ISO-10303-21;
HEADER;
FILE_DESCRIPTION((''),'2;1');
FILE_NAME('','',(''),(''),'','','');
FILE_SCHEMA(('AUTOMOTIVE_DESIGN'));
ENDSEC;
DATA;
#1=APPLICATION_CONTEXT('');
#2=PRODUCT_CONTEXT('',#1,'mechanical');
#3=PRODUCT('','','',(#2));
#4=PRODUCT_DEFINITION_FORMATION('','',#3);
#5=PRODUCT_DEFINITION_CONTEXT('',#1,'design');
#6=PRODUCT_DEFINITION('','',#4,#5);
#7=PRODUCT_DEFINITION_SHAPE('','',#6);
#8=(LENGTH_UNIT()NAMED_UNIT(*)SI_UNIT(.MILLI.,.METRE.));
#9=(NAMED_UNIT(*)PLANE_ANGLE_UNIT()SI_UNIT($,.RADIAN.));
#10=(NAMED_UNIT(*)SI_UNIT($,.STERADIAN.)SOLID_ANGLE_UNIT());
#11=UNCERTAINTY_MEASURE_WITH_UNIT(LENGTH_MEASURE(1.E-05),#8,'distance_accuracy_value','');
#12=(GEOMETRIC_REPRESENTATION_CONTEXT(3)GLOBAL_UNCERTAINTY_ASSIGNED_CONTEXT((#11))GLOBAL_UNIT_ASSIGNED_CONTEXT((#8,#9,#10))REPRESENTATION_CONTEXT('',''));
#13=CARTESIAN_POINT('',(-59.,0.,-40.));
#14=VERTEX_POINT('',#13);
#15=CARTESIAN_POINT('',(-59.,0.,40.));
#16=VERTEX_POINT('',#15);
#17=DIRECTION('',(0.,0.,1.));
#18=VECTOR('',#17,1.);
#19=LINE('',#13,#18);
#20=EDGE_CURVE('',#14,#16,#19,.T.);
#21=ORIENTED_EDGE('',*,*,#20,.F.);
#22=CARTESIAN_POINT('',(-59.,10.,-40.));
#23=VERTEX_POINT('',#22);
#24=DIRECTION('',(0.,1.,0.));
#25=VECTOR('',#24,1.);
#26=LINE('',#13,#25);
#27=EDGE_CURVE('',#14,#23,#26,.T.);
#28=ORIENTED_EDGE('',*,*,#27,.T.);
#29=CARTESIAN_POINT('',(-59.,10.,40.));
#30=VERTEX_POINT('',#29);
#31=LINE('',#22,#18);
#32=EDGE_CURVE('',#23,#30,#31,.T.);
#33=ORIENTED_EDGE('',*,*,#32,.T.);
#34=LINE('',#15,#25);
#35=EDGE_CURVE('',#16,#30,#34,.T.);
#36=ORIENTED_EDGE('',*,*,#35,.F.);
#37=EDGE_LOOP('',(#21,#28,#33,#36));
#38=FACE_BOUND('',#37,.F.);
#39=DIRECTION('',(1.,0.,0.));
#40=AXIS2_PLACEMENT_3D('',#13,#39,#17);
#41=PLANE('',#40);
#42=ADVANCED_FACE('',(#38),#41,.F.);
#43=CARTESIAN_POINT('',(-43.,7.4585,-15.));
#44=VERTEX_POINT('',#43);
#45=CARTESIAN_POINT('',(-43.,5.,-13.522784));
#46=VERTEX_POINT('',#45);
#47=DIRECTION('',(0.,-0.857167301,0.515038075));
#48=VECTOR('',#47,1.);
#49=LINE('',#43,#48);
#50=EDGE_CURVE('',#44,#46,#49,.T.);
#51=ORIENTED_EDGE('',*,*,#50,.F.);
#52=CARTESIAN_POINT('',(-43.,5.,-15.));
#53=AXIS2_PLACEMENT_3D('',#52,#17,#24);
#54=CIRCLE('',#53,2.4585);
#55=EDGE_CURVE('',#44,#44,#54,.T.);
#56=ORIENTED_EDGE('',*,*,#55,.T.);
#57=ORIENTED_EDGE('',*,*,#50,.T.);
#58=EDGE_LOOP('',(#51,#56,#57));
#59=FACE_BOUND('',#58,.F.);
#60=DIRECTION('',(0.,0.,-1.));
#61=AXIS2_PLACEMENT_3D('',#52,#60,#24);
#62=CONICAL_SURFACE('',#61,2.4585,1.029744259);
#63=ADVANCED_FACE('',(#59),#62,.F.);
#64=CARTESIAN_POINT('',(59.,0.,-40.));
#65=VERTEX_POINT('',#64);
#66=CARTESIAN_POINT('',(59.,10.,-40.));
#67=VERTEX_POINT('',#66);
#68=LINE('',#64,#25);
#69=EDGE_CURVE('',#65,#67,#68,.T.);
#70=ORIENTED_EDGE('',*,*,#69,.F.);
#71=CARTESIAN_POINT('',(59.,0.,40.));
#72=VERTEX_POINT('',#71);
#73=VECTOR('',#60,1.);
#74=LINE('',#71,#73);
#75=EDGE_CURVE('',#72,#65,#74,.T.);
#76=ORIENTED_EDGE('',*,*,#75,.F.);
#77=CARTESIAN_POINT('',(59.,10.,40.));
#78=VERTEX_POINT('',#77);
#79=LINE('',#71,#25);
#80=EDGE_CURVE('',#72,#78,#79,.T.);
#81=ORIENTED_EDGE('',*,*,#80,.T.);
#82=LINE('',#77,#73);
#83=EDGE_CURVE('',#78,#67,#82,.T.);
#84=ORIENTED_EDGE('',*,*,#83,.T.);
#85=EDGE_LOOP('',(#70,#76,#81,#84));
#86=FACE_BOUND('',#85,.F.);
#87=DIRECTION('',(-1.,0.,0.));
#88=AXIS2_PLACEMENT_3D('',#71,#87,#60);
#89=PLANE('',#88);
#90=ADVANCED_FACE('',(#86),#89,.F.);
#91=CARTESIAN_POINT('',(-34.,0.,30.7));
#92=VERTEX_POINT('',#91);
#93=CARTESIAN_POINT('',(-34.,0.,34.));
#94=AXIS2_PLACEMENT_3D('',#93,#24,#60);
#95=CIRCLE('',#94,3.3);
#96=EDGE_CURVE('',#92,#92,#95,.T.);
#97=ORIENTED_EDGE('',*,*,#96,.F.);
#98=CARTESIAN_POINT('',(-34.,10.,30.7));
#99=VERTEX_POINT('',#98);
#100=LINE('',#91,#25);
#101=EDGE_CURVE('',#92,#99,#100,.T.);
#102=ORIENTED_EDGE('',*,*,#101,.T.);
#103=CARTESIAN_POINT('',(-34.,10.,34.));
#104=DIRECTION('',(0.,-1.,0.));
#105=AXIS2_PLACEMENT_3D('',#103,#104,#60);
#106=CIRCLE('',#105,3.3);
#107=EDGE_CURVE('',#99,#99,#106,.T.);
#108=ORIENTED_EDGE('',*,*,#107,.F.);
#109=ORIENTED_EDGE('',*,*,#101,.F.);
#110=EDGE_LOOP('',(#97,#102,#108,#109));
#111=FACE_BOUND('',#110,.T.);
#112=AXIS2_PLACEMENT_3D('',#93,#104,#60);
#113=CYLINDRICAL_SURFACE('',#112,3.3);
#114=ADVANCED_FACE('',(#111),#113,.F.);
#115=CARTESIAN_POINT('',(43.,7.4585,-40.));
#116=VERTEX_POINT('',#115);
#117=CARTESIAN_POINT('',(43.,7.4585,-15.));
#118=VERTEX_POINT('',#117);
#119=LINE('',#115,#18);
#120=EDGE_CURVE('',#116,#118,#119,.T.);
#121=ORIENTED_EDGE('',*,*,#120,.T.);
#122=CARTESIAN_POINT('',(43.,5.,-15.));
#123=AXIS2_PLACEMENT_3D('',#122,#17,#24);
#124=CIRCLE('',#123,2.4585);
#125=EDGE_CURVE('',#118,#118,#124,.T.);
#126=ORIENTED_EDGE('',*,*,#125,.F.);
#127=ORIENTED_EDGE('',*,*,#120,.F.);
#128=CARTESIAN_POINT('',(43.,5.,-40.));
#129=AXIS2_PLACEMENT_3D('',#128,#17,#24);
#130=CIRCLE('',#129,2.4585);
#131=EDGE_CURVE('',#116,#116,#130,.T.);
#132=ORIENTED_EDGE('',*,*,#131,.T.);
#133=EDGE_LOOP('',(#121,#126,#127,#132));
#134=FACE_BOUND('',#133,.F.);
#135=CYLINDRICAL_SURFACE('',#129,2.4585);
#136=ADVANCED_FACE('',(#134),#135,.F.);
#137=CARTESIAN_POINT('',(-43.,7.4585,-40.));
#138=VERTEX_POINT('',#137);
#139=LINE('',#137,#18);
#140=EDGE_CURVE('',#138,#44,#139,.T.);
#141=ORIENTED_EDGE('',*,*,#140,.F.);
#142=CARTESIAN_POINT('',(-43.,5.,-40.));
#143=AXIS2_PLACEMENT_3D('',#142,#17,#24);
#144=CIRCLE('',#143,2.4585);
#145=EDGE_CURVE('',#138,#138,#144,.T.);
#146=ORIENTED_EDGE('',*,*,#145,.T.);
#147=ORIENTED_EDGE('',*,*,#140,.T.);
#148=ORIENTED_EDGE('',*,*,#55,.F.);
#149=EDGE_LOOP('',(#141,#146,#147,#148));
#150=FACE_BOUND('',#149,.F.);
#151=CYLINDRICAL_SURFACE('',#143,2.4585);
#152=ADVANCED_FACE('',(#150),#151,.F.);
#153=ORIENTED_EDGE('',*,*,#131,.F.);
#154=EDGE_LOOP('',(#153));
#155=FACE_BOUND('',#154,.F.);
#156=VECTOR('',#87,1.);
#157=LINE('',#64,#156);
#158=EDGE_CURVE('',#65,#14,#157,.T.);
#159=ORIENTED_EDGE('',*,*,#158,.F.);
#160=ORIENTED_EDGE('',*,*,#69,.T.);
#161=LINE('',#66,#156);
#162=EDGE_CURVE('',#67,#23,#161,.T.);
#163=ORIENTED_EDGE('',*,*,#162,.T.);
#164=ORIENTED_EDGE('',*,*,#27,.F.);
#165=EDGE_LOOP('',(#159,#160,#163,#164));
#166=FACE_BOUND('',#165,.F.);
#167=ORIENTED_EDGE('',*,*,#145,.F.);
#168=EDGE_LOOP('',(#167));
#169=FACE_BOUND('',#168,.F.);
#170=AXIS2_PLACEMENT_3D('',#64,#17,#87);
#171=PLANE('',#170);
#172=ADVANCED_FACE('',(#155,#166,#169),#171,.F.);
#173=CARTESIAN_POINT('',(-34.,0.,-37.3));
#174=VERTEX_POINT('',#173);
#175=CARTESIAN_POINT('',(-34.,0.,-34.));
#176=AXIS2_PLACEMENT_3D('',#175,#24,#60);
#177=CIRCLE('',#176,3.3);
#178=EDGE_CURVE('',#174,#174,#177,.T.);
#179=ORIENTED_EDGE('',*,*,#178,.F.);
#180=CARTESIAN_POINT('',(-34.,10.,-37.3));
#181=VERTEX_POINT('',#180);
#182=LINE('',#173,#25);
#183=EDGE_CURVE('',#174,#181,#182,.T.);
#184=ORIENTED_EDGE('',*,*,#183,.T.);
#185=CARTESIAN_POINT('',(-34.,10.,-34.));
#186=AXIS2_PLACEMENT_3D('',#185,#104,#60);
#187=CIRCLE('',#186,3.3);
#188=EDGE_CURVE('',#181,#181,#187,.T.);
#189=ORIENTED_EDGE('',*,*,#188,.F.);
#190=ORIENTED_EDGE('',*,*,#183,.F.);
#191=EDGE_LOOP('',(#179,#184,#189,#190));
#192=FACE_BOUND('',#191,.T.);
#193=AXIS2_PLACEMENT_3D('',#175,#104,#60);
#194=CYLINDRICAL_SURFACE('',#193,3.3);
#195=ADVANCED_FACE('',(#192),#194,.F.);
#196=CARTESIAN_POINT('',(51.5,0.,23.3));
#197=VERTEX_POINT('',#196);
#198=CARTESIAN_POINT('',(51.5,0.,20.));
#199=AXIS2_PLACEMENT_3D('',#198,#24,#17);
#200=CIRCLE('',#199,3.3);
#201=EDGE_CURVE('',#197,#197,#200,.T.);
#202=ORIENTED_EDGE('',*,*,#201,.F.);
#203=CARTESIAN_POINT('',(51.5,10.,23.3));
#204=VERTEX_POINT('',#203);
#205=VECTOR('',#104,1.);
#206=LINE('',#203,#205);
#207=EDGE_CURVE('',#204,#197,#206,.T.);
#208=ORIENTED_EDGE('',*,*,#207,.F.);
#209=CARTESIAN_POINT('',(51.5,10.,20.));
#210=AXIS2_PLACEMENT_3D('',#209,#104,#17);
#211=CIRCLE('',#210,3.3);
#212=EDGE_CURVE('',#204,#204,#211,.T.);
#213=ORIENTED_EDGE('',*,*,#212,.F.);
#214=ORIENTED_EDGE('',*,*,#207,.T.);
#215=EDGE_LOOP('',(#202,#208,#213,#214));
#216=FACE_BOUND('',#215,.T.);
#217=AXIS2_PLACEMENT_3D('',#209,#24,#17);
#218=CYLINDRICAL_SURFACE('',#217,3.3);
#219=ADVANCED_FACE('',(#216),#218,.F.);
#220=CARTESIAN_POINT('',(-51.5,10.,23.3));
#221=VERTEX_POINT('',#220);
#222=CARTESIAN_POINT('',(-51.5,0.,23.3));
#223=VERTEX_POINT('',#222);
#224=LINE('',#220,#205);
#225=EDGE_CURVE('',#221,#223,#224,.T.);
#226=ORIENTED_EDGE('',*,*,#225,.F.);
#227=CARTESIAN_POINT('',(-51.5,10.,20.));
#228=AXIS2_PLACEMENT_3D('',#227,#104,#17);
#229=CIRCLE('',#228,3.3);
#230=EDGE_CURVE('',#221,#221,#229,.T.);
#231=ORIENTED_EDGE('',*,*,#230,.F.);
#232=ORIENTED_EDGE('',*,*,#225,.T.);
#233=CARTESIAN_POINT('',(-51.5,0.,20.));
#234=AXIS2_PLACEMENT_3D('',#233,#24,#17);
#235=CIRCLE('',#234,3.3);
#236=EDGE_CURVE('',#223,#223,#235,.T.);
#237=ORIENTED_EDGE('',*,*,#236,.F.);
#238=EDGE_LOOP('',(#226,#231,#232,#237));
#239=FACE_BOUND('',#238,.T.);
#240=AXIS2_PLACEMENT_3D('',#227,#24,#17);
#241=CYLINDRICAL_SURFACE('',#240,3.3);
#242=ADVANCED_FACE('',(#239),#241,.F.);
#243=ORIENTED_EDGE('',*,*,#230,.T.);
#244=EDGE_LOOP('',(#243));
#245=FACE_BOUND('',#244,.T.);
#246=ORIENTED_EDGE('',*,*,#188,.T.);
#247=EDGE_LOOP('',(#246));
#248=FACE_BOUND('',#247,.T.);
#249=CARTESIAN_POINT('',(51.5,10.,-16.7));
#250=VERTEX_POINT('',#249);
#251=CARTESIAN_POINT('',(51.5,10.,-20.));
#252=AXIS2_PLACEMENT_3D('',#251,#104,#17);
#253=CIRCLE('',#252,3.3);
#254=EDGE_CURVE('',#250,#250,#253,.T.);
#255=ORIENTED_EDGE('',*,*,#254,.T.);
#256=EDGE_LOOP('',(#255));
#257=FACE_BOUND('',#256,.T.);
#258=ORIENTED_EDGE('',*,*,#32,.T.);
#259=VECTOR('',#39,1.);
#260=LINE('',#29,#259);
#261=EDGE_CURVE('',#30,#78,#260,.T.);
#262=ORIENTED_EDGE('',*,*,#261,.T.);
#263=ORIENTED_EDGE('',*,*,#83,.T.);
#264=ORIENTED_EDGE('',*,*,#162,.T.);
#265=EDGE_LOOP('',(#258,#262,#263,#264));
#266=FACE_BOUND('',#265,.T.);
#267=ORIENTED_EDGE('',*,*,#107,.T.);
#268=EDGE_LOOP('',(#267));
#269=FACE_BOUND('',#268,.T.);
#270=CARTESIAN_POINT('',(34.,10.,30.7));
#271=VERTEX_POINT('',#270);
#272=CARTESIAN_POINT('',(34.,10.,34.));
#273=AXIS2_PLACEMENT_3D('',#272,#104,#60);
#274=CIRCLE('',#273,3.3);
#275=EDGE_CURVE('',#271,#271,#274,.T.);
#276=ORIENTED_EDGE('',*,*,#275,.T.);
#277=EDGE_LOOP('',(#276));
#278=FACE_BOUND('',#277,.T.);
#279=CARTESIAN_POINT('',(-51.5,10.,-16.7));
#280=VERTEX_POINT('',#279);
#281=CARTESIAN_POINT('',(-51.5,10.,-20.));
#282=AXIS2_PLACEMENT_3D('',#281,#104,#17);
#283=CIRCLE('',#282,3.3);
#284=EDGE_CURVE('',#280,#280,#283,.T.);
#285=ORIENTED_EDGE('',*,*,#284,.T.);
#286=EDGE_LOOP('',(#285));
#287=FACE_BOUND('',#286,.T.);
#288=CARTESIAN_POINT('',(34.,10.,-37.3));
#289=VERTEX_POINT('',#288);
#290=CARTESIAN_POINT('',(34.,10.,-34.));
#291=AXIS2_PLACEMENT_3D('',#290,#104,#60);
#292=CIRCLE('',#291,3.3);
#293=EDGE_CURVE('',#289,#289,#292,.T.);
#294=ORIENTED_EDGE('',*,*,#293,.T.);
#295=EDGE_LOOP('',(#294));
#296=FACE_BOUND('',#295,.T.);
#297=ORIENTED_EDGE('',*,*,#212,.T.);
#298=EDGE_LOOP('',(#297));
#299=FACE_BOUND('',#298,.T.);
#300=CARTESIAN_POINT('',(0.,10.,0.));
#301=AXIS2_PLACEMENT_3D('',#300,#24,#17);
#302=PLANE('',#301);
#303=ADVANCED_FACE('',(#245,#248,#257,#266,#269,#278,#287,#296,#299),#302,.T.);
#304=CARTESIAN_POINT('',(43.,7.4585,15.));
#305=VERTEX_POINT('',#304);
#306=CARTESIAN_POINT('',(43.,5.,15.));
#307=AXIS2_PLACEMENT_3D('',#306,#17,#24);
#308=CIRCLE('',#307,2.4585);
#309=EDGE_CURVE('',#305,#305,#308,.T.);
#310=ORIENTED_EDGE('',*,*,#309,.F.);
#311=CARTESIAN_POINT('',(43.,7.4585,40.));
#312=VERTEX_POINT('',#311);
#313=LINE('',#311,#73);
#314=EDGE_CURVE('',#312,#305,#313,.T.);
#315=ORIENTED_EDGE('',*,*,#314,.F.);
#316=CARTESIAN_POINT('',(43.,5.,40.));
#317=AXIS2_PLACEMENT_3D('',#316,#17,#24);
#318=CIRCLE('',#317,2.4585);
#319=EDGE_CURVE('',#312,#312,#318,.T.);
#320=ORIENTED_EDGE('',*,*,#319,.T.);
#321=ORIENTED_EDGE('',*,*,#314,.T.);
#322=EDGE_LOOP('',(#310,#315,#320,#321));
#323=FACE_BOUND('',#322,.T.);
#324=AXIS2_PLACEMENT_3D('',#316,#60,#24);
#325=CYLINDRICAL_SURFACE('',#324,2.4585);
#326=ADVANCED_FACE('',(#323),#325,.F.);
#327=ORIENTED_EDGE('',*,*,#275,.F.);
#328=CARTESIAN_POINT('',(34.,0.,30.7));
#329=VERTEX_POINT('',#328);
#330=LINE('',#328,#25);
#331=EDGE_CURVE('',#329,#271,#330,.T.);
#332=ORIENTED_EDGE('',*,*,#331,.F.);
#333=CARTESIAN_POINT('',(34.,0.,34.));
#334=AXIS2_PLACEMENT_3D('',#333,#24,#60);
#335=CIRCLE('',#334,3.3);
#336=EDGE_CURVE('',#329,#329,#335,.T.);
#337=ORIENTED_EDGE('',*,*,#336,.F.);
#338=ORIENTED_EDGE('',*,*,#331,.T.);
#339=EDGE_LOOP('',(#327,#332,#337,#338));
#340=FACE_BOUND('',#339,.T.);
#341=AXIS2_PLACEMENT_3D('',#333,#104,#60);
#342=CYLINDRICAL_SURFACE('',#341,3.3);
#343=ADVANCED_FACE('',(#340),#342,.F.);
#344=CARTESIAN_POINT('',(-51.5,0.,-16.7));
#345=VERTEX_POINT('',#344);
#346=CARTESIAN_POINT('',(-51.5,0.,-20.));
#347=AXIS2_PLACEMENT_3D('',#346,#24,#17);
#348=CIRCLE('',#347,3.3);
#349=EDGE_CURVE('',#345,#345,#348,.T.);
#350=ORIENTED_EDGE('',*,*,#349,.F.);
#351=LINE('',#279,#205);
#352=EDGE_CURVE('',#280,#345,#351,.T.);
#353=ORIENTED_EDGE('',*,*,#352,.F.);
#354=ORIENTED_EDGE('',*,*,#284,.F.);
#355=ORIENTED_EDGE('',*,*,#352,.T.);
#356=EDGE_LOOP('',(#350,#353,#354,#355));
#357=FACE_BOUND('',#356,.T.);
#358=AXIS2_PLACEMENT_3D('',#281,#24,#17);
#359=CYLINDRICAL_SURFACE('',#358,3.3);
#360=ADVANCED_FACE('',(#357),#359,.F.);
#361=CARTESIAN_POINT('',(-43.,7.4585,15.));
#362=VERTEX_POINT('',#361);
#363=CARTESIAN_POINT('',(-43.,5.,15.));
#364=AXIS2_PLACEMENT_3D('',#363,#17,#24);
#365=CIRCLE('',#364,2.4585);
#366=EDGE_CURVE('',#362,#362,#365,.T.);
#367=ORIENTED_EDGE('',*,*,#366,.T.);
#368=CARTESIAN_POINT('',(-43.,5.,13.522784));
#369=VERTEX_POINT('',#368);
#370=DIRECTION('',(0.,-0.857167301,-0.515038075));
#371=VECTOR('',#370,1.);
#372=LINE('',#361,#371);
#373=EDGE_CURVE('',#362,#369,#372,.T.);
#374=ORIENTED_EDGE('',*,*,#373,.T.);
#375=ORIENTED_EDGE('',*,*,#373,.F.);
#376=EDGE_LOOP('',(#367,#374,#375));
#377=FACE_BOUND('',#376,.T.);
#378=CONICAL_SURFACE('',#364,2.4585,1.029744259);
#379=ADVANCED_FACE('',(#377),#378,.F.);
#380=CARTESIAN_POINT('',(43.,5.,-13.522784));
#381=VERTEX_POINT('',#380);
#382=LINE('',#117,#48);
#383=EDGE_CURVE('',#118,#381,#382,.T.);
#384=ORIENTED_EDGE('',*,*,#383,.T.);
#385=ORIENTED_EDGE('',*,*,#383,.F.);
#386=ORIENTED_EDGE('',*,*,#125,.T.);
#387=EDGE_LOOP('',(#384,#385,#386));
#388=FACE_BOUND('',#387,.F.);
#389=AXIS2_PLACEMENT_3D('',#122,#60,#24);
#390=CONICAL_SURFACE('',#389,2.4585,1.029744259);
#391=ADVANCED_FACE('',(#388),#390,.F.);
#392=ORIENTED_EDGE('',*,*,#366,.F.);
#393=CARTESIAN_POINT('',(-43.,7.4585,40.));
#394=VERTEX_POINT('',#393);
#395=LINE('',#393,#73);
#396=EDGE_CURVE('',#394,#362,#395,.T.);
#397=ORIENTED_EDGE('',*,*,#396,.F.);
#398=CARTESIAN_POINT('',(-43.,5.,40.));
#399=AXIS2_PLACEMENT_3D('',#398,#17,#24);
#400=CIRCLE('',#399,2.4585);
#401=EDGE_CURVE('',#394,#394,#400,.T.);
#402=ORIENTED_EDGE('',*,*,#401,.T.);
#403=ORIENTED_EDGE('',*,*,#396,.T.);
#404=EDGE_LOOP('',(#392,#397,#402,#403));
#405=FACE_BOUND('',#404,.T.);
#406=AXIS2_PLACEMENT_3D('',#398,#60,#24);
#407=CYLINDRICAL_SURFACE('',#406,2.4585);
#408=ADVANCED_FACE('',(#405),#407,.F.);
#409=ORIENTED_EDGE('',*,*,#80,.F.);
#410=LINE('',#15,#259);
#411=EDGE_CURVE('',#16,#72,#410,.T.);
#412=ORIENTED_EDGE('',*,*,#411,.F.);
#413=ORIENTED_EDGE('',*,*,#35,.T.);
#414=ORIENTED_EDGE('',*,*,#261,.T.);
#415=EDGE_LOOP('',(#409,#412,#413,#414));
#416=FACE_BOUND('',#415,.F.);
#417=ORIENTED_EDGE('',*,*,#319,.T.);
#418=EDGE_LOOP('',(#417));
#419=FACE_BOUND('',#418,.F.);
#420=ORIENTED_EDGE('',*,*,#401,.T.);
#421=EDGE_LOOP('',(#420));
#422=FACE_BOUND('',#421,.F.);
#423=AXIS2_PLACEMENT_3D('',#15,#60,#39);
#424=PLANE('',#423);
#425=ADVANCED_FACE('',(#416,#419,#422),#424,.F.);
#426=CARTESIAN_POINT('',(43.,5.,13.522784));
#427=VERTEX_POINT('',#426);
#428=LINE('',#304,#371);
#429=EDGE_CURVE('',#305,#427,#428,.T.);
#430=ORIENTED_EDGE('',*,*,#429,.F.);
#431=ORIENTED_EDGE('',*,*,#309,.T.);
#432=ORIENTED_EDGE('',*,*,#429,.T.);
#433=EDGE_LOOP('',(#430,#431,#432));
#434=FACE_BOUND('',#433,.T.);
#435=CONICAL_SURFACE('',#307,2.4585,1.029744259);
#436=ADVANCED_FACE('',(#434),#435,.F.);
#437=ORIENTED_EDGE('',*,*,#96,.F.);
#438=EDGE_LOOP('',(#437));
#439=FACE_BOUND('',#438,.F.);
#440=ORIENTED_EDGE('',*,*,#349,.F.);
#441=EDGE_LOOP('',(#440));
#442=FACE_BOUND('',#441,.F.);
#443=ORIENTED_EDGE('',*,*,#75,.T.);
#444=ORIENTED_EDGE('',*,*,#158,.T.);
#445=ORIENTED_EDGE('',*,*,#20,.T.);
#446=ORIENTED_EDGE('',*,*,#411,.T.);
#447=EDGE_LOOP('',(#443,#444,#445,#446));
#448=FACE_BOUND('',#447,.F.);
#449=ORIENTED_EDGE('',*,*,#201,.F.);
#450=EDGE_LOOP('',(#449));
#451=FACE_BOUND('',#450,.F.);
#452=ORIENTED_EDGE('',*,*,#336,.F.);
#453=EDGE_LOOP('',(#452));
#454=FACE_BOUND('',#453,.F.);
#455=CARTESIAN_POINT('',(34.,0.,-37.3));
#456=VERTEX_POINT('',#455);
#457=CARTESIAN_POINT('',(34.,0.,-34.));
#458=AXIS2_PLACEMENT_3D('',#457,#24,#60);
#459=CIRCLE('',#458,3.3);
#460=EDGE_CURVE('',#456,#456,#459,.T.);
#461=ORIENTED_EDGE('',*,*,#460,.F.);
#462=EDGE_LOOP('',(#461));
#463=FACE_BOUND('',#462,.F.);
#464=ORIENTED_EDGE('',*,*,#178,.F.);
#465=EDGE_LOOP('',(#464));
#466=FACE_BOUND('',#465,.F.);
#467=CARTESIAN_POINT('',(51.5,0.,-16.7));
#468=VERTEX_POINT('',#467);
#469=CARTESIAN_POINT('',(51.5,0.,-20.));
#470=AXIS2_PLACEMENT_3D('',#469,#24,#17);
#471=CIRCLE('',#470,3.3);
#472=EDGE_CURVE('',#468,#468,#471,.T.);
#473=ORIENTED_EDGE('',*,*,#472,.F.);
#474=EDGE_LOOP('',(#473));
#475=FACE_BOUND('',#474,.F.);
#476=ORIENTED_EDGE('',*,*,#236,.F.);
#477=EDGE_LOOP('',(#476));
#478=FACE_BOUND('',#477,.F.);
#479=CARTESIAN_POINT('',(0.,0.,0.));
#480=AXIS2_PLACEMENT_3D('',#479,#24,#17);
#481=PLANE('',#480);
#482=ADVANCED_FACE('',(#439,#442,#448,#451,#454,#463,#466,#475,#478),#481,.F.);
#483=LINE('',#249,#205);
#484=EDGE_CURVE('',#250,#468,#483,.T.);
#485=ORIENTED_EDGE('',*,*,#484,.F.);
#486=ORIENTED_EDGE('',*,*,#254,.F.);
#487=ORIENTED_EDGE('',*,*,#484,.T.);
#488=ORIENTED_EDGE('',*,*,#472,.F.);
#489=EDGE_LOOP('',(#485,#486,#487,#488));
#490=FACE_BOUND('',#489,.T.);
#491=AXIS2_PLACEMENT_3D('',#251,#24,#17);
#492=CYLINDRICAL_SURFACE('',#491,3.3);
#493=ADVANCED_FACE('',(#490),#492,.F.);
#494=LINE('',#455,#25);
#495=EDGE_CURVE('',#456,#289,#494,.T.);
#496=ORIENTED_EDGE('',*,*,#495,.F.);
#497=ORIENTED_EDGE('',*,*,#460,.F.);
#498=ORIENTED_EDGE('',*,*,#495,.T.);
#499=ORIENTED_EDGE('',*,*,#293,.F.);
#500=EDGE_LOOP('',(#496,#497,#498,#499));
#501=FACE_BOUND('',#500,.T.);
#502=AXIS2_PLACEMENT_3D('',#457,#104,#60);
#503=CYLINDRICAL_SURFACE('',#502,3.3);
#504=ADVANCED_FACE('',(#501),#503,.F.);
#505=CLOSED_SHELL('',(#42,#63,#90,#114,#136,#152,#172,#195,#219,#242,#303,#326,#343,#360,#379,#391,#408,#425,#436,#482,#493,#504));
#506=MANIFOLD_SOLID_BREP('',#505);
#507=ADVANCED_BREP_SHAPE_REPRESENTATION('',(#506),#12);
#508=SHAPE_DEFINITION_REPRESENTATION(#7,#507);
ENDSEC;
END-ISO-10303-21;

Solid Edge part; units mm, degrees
sketch "Sketch1" plane through (0, 0, 0) normal (0, -1, 0) x (1, 0, 0)
  line L0 (-59, -40) -> (-59, 40)
  line L1 (-59, 40) -> (59, 40)
  line L2 (59, 40) -> (59, -40)
  line L3 (59, -40) -> (-59, -40)
extrude "Protrusion1" add sketch "Sketch1" against normal blind 10
extrude "Extrusionsausschnitt_1" [suppressed]
hole "Bohrung_1" at (34, 0, -34) direction (0, 1, 0) diameter 6.6 end up to next
hole "Hole1" at (-34, 0, -34) direction (0, 1, 0) diameter 6.6 end up to next
hole "Hole2" at (-34, 0, 34) direction (0, 1, 0) diameter 6.6 end up to next
hole "Hole3" at (34, 0, 34) direction (0, 1, 0) diameter 6.6 end up to next
hole "Bohrung_5" at (51.5, 10, -20) direction (0, -1, 0) diameter 6.6 end up to next
hole "Hole4" at (-51.5, 10, -20) direction (0, -1, 0) diameter 6.6 end up to next
hole "Hole5" at (-51.5, 10, 20) direction (0, -1, 0) diameter 6.6 end up to next
hole "Hole6" at (51.5, 10, 20) direction (0, -1, 0) diameter 6.6 end up to next
hole "Bohrung_9" at (43, 5, -40) direction (0, 0, 1) diameter 4.917 depth 25 tip angle 118 thread major 6 thread length 20
hole "Hole7" at (-43, 5, -40) direction (0, 0, 1) diameter 4.917 depth 25 tip angle 118 thread major 6 thread length 20
mirror "Mirror1" about plane through (0, 0, 0) normal (0, 0, -1) of "Bohrung_9", "Hole7"
